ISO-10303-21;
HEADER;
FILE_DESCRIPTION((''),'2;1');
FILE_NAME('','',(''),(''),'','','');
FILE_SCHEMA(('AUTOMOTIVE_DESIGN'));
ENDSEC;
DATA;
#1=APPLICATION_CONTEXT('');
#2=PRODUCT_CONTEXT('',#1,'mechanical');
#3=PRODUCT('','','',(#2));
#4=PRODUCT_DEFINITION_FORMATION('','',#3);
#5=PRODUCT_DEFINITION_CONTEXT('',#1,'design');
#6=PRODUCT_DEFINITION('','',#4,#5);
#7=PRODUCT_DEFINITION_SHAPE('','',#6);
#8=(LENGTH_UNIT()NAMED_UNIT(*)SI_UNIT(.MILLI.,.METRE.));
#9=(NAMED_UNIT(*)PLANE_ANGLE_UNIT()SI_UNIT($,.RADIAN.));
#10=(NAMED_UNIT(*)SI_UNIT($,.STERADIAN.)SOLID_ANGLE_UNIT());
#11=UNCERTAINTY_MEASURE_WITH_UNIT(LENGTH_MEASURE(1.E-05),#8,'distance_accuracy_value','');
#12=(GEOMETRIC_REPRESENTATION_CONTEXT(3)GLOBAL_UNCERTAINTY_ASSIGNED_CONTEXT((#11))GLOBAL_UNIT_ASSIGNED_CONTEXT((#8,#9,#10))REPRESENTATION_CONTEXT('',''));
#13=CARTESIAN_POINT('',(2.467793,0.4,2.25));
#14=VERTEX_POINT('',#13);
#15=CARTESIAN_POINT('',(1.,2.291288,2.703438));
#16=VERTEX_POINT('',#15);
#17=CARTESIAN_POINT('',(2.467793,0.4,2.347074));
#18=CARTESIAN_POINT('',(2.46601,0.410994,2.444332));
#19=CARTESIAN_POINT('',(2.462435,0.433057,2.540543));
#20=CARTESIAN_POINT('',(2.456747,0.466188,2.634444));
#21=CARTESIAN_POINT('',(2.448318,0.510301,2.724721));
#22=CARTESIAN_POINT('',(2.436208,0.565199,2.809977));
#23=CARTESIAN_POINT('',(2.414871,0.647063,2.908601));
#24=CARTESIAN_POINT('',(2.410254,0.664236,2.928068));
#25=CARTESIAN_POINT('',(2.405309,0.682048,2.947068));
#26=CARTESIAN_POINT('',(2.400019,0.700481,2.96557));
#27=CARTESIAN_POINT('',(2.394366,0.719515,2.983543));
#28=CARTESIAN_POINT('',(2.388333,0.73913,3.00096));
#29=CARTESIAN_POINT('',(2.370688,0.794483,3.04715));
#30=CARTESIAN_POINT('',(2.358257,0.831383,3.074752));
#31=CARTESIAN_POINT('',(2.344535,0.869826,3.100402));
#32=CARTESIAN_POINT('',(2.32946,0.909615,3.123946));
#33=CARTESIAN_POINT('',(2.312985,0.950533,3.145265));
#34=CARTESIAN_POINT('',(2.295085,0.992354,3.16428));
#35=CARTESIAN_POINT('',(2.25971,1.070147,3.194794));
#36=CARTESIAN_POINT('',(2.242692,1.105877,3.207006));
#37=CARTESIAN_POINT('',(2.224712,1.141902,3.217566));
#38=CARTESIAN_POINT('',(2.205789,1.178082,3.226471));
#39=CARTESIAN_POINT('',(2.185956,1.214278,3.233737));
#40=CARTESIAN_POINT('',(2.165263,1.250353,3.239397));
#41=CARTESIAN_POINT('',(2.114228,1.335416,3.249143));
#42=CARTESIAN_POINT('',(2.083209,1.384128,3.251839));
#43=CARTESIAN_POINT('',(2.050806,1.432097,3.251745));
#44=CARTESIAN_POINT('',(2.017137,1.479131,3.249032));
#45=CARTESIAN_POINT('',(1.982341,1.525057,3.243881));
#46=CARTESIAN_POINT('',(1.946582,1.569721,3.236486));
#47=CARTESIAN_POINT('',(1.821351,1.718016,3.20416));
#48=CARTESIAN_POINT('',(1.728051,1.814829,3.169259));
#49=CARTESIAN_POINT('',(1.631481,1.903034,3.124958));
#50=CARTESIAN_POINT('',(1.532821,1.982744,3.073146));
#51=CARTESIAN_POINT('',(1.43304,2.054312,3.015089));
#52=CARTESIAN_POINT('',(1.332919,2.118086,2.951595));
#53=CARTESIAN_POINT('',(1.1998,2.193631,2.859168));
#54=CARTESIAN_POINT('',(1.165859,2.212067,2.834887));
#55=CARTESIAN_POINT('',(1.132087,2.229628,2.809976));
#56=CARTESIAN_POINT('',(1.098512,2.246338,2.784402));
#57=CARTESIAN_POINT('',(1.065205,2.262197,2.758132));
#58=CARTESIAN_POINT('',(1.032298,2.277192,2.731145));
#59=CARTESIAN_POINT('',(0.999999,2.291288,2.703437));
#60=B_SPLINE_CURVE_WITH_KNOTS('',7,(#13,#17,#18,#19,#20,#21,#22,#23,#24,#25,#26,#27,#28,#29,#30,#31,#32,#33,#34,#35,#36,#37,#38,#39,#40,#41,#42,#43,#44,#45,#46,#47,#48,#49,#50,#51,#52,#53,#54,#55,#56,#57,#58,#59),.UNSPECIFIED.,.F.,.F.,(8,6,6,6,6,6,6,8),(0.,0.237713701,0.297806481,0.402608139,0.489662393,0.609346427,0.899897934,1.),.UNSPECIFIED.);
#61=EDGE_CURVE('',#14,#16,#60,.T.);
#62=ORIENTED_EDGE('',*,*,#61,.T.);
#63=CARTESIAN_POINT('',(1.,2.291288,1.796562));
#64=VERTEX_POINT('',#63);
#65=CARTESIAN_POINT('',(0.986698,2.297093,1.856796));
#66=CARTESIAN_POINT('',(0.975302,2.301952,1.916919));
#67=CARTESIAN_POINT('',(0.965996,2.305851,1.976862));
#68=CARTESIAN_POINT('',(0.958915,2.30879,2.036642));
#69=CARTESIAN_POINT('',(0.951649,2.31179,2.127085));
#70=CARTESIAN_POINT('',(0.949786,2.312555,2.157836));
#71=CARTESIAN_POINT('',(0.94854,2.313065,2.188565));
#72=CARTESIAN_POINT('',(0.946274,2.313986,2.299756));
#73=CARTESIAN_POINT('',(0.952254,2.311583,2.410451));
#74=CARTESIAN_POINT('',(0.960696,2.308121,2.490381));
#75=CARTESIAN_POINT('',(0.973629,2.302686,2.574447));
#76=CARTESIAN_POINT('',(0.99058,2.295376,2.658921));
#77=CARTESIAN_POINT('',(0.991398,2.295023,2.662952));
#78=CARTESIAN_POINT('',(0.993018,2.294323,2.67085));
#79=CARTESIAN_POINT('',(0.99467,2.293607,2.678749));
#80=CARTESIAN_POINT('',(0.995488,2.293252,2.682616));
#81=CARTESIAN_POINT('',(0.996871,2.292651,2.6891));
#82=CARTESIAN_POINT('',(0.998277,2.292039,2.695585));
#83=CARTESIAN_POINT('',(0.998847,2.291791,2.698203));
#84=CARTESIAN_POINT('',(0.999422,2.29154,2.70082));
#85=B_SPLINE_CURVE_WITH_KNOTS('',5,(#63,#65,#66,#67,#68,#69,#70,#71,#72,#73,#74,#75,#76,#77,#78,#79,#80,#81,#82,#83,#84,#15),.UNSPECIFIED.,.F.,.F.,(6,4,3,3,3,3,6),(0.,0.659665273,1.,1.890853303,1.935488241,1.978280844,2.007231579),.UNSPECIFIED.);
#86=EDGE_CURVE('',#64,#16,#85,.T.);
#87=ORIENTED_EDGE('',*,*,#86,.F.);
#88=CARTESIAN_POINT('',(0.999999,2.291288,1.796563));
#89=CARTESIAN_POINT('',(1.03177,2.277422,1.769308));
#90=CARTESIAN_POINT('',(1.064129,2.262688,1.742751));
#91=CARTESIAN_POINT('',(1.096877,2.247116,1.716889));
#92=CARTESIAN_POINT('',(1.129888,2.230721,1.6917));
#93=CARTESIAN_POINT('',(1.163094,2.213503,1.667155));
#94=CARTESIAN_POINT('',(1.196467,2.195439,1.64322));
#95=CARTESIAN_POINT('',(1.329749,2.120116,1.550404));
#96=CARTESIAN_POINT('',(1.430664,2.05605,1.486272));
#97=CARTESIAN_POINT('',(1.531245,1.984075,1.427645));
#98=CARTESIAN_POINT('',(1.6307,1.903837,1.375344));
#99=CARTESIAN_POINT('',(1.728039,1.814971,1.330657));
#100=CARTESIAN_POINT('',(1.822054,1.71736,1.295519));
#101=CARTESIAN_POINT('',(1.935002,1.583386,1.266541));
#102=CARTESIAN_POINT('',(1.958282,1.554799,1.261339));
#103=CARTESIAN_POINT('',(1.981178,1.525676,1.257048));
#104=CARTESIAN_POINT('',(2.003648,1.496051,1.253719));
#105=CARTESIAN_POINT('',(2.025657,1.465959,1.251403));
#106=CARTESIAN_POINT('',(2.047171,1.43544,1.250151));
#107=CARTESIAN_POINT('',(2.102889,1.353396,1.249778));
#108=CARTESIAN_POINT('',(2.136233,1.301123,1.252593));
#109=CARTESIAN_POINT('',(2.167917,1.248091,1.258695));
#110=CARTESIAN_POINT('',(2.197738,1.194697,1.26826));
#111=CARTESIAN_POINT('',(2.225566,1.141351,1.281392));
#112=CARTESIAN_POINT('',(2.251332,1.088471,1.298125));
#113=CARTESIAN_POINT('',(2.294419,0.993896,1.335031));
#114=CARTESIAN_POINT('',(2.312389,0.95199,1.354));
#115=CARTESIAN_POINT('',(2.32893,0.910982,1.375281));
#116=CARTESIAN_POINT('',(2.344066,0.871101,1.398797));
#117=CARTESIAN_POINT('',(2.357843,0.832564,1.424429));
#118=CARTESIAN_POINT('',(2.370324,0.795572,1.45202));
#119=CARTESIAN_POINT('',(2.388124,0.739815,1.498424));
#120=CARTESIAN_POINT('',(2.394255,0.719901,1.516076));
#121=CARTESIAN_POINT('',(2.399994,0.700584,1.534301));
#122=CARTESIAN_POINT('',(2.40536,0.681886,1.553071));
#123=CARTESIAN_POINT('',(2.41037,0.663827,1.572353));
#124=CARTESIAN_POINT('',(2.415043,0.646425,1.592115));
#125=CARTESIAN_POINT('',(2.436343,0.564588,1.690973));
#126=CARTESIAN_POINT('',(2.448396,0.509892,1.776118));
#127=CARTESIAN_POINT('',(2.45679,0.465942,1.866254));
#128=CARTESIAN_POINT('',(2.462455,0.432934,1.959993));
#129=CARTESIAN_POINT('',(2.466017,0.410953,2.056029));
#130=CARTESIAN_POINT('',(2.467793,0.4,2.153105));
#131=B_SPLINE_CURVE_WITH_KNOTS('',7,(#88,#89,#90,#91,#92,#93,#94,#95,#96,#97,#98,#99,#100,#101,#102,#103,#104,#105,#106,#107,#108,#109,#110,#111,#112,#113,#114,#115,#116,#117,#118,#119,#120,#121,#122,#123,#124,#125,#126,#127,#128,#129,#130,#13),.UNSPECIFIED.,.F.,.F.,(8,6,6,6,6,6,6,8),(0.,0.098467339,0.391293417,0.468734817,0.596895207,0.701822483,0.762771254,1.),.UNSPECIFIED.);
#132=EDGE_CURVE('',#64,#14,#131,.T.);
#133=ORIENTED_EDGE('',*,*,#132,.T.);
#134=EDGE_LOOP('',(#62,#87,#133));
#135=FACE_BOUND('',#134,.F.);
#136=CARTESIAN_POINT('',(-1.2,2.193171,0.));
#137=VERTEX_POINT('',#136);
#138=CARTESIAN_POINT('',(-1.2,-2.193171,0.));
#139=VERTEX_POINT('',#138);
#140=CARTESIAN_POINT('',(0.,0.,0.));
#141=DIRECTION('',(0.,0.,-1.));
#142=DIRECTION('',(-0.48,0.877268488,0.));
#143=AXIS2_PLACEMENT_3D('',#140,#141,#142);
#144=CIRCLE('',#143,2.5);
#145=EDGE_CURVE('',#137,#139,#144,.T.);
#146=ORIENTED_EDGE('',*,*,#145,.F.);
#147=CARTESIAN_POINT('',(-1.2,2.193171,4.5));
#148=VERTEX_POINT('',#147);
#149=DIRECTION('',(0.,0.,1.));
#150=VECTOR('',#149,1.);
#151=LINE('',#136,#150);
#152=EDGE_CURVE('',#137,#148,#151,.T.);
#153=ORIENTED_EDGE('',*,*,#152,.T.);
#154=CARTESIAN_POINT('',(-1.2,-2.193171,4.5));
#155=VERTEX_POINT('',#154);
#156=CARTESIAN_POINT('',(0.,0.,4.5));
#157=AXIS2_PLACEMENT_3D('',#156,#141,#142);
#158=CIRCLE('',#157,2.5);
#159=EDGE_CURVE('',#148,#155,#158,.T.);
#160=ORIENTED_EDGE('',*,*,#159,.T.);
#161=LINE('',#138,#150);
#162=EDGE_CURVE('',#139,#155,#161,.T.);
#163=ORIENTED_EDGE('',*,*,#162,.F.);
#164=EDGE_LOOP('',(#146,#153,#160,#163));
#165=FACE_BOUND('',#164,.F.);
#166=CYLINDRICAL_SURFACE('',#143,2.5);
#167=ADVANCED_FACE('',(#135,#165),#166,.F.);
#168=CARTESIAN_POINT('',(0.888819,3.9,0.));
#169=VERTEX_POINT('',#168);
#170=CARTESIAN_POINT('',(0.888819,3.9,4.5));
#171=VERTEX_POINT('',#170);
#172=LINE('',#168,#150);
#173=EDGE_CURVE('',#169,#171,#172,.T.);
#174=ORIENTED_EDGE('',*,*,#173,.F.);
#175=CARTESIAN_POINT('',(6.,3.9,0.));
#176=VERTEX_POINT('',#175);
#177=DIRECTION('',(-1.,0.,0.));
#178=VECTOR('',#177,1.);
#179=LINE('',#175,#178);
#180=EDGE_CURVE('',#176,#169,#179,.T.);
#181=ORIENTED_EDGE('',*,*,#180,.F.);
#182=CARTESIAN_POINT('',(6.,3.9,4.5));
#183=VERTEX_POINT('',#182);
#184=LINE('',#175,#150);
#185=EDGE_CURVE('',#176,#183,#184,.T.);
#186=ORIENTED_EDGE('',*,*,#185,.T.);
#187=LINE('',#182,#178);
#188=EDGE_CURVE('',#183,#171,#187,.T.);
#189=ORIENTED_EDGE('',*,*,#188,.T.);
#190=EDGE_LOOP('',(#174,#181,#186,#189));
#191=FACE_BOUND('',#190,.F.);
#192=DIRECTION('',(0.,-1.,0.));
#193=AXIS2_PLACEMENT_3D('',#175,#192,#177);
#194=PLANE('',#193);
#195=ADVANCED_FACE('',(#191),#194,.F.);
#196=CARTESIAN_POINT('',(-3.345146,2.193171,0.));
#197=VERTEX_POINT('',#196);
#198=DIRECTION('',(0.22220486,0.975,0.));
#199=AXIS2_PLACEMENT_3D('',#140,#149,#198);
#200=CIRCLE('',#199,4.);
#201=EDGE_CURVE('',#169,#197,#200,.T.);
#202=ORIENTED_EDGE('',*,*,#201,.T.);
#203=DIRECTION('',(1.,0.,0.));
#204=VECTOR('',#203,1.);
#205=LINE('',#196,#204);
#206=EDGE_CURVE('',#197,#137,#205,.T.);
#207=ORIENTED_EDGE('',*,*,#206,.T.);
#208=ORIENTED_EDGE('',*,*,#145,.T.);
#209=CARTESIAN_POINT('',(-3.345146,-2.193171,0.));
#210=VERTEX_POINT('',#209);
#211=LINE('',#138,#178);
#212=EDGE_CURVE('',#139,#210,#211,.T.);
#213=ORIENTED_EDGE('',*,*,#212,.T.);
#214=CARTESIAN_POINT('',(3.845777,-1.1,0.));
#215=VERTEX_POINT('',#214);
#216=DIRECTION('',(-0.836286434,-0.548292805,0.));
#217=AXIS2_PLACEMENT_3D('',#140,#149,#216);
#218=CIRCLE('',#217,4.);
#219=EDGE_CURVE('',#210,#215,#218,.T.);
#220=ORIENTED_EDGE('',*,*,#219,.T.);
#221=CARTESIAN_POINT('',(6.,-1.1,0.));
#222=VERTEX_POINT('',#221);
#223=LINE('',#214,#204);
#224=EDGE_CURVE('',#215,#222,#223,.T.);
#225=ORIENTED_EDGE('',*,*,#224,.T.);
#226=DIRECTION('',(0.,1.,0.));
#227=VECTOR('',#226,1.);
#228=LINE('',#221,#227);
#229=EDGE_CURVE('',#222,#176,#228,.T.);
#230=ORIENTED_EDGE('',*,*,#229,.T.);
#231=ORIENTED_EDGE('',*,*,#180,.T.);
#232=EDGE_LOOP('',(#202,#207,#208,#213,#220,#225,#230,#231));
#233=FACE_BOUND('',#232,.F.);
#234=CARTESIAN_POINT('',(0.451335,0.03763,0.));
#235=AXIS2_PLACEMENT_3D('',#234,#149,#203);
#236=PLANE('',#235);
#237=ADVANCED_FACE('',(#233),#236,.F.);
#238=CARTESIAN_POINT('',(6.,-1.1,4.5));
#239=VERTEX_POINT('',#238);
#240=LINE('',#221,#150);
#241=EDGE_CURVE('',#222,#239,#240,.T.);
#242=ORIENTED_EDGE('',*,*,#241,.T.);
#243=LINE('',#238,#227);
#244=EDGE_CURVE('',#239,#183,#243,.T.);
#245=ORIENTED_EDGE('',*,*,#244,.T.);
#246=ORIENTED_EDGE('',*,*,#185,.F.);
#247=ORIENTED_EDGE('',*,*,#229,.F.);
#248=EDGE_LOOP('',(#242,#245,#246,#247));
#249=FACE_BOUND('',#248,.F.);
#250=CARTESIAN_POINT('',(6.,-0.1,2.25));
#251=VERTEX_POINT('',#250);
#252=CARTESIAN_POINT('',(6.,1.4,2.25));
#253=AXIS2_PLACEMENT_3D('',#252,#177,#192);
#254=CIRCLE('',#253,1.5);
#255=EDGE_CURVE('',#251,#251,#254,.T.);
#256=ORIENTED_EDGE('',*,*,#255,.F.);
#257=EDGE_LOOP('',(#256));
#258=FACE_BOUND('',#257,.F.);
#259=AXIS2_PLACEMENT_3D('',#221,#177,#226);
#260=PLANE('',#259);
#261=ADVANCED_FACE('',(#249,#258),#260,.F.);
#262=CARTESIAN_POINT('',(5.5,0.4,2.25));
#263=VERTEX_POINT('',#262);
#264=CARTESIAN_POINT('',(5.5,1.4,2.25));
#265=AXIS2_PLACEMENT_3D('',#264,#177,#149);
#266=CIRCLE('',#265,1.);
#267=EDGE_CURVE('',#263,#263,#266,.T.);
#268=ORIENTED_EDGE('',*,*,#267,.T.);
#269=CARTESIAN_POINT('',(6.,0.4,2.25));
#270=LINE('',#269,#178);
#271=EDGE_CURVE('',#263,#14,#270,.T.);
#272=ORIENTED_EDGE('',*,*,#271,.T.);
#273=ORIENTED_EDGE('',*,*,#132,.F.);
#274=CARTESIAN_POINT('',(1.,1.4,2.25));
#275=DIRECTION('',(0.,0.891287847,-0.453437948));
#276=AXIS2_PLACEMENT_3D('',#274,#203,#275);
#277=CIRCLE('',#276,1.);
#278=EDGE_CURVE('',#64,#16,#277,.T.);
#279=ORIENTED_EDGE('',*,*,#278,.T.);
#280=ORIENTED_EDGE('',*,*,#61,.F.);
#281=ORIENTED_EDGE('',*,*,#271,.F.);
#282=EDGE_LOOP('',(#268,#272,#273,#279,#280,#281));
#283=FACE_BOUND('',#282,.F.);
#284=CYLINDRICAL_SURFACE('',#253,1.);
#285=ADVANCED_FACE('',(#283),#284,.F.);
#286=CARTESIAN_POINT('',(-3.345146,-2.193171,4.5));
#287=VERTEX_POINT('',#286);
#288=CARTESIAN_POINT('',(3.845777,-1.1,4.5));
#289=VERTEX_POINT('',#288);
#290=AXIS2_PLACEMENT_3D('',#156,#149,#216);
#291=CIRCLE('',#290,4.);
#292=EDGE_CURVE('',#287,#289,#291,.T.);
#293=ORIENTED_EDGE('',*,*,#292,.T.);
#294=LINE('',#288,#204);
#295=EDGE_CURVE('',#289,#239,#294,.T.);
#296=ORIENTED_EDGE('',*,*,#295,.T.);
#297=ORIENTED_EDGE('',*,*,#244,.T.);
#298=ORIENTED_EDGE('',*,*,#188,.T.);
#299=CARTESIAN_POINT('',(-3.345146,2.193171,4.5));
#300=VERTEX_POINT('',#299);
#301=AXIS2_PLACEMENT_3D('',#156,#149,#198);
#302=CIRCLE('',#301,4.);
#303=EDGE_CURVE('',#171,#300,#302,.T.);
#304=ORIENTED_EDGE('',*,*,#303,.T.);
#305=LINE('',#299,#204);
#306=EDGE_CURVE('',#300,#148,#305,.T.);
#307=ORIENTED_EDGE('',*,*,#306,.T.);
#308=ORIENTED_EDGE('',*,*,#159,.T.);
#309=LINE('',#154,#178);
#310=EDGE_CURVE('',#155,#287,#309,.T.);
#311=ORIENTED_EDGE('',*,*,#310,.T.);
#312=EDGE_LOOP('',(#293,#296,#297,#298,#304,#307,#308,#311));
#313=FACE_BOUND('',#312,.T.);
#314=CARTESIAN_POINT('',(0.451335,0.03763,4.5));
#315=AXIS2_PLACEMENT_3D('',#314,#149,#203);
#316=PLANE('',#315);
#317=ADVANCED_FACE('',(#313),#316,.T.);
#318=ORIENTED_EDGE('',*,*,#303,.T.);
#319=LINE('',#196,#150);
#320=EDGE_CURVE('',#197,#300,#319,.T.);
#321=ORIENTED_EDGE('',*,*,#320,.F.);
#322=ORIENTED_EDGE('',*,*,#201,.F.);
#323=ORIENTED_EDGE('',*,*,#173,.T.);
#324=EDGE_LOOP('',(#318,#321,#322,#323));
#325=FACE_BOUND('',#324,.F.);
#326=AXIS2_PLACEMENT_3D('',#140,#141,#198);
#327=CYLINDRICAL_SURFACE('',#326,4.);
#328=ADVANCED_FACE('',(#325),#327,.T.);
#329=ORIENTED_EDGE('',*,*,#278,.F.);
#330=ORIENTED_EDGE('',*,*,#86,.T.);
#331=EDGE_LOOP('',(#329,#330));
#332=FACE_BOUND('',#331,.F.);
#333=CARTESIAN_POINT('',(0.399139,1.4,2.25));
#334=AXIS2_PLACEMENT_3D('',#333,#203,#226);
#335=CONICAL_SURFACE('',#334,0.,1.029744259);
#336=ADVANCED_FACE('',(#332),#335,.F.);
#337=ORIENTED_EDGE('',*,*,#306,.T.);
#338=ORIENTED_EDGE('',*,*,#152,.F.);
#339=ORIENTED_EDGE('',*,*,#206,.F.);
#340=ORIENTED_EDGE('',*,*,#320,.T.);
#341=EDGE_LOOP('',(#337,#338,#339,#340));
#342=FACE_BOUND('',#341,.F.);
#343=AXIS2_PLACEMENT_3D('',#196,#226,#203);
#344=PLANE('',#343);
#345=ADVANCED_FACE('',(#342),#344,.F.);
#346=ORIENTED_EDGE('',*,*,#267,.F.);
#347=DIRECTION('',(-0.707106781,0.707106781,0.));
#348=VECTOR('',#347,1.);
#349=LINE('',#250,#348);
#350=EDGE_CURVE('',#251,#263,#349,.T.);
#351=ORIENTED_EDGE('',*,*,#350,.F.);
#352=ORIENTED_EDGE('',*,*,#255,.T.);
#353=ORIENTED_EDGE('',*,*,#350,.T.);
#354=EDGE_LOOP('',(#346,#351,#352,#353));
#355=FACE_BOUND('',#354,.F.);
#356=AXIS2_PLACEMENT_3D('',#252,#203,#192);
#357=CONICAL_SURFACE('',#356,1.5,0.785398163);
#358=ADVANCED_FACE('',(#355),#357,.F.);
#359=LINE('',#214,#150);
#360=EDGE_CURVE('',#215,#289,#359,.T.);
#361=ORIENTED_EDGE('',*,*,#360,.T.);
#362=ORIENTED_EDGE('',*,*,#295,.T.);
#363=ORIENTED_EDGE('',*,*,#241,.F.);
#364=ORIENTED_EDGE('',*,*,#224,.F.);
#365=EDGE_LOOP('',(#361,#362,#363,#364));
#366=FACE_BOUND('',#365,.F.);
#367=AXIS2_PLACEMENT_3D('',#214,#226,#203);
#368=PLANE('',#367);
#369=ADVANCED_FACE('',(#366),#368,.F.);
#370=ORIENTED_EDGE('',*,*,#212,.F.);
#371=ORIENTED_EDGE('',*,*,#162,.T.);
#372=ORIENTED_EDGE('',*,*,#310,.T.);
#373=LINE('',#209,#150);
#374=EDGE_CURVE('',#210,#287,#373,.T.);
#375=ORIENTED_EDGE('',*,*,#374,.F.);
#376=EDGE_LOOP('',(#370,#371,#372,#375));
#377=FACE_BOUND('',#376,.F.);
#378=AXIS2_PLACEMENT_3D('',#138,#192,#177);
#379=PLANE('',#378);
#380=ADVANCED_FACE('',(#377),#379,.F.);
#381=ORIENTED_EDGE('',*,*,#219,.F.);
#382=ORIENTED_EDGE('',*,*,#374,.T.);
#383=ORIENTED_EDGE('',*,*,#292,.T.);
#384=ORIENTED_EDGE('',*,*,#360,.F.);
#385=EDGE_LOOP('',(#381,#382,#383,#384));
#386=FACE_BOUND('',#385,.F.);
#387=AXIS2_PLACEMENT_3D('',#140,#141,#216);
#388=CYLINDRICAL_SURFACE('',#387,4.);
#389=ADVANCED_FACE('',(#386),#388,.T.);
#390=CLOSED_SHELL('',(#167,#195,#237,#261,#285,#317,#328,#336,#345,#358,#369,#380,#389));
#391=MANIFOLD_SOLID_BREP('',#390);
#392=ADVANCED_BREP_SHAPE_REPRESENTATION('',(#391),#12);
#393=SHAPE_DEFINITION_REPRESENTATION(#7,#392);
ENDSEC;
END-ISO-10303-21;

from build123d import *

# Parameters (mm, degrees)
F1_DEPTH       = 4.5
F3_D           = 2
F3_DEPTH       = 5
F3_CSINK_D     = 3
F3_CSINK_ANGLE = 90
F3_TIP         = 0.600860619


with BuildPart() as f1:
    # F0 (on Top) → F1 (new body)
    with BuildSketch(Plane.XY):
        with BuildLine():
            ThreePointArc((-1.2, 2.1931712199), (2.5, 0), (-1.2, -2.1931712199))
            Line((-1.2, -2.1931712199), (-3.3451457367, -2.1931712199))
            ThreePointArc((-3.3451457367, -2.1931712199), (0.6011769462, -3.9545652453), (3.8457769046, -1.1))
            ThreePointArc((3.8457769046, -1.1), (3.4429784549, 2.0361481673), (0.8888194417, 3.9))
            ThreePointArc((0.8888194417, 3.9), (-1.4955603759, 3.7098920688), (-3.3451457367, 2.1931712199))
            Line((-3.3451457367, 2.1931712199), (-1.2, 2.1931712199))
        make_face()
        with BuildLine():
            ThreePointArc((0.8888194417, 3.9), (3.4429784549, 2.0361481673), (3.8457769046, -1.1))
            Line((3.8457769046, -1.1), (6, -1.1))
            Line((6, -1.1), (6, 3.9))
            Line((6, 3.9), (0.8888194417, 3.9))
        make_face()
    extrude(amount=F1_DEPTH)

    # F3
    with Locations(Plane.YZ.offset(6)):
        with Locations((1.4, 2.25)):
            CounterSinkHole(F3_D / 2, F3_CSINK_D / 2, depth=F3_DEPTH, counter_sink_angle=F3_CSINK_ANGLE)
            with Locations((0, 0, -(F3_DEPTH + F3_TIP / 2))):  # 118° drill point
                Cone(0, F3_D / 2, F3_TIP, mode=Mode.SUBTRACT)


solid = f1.part
